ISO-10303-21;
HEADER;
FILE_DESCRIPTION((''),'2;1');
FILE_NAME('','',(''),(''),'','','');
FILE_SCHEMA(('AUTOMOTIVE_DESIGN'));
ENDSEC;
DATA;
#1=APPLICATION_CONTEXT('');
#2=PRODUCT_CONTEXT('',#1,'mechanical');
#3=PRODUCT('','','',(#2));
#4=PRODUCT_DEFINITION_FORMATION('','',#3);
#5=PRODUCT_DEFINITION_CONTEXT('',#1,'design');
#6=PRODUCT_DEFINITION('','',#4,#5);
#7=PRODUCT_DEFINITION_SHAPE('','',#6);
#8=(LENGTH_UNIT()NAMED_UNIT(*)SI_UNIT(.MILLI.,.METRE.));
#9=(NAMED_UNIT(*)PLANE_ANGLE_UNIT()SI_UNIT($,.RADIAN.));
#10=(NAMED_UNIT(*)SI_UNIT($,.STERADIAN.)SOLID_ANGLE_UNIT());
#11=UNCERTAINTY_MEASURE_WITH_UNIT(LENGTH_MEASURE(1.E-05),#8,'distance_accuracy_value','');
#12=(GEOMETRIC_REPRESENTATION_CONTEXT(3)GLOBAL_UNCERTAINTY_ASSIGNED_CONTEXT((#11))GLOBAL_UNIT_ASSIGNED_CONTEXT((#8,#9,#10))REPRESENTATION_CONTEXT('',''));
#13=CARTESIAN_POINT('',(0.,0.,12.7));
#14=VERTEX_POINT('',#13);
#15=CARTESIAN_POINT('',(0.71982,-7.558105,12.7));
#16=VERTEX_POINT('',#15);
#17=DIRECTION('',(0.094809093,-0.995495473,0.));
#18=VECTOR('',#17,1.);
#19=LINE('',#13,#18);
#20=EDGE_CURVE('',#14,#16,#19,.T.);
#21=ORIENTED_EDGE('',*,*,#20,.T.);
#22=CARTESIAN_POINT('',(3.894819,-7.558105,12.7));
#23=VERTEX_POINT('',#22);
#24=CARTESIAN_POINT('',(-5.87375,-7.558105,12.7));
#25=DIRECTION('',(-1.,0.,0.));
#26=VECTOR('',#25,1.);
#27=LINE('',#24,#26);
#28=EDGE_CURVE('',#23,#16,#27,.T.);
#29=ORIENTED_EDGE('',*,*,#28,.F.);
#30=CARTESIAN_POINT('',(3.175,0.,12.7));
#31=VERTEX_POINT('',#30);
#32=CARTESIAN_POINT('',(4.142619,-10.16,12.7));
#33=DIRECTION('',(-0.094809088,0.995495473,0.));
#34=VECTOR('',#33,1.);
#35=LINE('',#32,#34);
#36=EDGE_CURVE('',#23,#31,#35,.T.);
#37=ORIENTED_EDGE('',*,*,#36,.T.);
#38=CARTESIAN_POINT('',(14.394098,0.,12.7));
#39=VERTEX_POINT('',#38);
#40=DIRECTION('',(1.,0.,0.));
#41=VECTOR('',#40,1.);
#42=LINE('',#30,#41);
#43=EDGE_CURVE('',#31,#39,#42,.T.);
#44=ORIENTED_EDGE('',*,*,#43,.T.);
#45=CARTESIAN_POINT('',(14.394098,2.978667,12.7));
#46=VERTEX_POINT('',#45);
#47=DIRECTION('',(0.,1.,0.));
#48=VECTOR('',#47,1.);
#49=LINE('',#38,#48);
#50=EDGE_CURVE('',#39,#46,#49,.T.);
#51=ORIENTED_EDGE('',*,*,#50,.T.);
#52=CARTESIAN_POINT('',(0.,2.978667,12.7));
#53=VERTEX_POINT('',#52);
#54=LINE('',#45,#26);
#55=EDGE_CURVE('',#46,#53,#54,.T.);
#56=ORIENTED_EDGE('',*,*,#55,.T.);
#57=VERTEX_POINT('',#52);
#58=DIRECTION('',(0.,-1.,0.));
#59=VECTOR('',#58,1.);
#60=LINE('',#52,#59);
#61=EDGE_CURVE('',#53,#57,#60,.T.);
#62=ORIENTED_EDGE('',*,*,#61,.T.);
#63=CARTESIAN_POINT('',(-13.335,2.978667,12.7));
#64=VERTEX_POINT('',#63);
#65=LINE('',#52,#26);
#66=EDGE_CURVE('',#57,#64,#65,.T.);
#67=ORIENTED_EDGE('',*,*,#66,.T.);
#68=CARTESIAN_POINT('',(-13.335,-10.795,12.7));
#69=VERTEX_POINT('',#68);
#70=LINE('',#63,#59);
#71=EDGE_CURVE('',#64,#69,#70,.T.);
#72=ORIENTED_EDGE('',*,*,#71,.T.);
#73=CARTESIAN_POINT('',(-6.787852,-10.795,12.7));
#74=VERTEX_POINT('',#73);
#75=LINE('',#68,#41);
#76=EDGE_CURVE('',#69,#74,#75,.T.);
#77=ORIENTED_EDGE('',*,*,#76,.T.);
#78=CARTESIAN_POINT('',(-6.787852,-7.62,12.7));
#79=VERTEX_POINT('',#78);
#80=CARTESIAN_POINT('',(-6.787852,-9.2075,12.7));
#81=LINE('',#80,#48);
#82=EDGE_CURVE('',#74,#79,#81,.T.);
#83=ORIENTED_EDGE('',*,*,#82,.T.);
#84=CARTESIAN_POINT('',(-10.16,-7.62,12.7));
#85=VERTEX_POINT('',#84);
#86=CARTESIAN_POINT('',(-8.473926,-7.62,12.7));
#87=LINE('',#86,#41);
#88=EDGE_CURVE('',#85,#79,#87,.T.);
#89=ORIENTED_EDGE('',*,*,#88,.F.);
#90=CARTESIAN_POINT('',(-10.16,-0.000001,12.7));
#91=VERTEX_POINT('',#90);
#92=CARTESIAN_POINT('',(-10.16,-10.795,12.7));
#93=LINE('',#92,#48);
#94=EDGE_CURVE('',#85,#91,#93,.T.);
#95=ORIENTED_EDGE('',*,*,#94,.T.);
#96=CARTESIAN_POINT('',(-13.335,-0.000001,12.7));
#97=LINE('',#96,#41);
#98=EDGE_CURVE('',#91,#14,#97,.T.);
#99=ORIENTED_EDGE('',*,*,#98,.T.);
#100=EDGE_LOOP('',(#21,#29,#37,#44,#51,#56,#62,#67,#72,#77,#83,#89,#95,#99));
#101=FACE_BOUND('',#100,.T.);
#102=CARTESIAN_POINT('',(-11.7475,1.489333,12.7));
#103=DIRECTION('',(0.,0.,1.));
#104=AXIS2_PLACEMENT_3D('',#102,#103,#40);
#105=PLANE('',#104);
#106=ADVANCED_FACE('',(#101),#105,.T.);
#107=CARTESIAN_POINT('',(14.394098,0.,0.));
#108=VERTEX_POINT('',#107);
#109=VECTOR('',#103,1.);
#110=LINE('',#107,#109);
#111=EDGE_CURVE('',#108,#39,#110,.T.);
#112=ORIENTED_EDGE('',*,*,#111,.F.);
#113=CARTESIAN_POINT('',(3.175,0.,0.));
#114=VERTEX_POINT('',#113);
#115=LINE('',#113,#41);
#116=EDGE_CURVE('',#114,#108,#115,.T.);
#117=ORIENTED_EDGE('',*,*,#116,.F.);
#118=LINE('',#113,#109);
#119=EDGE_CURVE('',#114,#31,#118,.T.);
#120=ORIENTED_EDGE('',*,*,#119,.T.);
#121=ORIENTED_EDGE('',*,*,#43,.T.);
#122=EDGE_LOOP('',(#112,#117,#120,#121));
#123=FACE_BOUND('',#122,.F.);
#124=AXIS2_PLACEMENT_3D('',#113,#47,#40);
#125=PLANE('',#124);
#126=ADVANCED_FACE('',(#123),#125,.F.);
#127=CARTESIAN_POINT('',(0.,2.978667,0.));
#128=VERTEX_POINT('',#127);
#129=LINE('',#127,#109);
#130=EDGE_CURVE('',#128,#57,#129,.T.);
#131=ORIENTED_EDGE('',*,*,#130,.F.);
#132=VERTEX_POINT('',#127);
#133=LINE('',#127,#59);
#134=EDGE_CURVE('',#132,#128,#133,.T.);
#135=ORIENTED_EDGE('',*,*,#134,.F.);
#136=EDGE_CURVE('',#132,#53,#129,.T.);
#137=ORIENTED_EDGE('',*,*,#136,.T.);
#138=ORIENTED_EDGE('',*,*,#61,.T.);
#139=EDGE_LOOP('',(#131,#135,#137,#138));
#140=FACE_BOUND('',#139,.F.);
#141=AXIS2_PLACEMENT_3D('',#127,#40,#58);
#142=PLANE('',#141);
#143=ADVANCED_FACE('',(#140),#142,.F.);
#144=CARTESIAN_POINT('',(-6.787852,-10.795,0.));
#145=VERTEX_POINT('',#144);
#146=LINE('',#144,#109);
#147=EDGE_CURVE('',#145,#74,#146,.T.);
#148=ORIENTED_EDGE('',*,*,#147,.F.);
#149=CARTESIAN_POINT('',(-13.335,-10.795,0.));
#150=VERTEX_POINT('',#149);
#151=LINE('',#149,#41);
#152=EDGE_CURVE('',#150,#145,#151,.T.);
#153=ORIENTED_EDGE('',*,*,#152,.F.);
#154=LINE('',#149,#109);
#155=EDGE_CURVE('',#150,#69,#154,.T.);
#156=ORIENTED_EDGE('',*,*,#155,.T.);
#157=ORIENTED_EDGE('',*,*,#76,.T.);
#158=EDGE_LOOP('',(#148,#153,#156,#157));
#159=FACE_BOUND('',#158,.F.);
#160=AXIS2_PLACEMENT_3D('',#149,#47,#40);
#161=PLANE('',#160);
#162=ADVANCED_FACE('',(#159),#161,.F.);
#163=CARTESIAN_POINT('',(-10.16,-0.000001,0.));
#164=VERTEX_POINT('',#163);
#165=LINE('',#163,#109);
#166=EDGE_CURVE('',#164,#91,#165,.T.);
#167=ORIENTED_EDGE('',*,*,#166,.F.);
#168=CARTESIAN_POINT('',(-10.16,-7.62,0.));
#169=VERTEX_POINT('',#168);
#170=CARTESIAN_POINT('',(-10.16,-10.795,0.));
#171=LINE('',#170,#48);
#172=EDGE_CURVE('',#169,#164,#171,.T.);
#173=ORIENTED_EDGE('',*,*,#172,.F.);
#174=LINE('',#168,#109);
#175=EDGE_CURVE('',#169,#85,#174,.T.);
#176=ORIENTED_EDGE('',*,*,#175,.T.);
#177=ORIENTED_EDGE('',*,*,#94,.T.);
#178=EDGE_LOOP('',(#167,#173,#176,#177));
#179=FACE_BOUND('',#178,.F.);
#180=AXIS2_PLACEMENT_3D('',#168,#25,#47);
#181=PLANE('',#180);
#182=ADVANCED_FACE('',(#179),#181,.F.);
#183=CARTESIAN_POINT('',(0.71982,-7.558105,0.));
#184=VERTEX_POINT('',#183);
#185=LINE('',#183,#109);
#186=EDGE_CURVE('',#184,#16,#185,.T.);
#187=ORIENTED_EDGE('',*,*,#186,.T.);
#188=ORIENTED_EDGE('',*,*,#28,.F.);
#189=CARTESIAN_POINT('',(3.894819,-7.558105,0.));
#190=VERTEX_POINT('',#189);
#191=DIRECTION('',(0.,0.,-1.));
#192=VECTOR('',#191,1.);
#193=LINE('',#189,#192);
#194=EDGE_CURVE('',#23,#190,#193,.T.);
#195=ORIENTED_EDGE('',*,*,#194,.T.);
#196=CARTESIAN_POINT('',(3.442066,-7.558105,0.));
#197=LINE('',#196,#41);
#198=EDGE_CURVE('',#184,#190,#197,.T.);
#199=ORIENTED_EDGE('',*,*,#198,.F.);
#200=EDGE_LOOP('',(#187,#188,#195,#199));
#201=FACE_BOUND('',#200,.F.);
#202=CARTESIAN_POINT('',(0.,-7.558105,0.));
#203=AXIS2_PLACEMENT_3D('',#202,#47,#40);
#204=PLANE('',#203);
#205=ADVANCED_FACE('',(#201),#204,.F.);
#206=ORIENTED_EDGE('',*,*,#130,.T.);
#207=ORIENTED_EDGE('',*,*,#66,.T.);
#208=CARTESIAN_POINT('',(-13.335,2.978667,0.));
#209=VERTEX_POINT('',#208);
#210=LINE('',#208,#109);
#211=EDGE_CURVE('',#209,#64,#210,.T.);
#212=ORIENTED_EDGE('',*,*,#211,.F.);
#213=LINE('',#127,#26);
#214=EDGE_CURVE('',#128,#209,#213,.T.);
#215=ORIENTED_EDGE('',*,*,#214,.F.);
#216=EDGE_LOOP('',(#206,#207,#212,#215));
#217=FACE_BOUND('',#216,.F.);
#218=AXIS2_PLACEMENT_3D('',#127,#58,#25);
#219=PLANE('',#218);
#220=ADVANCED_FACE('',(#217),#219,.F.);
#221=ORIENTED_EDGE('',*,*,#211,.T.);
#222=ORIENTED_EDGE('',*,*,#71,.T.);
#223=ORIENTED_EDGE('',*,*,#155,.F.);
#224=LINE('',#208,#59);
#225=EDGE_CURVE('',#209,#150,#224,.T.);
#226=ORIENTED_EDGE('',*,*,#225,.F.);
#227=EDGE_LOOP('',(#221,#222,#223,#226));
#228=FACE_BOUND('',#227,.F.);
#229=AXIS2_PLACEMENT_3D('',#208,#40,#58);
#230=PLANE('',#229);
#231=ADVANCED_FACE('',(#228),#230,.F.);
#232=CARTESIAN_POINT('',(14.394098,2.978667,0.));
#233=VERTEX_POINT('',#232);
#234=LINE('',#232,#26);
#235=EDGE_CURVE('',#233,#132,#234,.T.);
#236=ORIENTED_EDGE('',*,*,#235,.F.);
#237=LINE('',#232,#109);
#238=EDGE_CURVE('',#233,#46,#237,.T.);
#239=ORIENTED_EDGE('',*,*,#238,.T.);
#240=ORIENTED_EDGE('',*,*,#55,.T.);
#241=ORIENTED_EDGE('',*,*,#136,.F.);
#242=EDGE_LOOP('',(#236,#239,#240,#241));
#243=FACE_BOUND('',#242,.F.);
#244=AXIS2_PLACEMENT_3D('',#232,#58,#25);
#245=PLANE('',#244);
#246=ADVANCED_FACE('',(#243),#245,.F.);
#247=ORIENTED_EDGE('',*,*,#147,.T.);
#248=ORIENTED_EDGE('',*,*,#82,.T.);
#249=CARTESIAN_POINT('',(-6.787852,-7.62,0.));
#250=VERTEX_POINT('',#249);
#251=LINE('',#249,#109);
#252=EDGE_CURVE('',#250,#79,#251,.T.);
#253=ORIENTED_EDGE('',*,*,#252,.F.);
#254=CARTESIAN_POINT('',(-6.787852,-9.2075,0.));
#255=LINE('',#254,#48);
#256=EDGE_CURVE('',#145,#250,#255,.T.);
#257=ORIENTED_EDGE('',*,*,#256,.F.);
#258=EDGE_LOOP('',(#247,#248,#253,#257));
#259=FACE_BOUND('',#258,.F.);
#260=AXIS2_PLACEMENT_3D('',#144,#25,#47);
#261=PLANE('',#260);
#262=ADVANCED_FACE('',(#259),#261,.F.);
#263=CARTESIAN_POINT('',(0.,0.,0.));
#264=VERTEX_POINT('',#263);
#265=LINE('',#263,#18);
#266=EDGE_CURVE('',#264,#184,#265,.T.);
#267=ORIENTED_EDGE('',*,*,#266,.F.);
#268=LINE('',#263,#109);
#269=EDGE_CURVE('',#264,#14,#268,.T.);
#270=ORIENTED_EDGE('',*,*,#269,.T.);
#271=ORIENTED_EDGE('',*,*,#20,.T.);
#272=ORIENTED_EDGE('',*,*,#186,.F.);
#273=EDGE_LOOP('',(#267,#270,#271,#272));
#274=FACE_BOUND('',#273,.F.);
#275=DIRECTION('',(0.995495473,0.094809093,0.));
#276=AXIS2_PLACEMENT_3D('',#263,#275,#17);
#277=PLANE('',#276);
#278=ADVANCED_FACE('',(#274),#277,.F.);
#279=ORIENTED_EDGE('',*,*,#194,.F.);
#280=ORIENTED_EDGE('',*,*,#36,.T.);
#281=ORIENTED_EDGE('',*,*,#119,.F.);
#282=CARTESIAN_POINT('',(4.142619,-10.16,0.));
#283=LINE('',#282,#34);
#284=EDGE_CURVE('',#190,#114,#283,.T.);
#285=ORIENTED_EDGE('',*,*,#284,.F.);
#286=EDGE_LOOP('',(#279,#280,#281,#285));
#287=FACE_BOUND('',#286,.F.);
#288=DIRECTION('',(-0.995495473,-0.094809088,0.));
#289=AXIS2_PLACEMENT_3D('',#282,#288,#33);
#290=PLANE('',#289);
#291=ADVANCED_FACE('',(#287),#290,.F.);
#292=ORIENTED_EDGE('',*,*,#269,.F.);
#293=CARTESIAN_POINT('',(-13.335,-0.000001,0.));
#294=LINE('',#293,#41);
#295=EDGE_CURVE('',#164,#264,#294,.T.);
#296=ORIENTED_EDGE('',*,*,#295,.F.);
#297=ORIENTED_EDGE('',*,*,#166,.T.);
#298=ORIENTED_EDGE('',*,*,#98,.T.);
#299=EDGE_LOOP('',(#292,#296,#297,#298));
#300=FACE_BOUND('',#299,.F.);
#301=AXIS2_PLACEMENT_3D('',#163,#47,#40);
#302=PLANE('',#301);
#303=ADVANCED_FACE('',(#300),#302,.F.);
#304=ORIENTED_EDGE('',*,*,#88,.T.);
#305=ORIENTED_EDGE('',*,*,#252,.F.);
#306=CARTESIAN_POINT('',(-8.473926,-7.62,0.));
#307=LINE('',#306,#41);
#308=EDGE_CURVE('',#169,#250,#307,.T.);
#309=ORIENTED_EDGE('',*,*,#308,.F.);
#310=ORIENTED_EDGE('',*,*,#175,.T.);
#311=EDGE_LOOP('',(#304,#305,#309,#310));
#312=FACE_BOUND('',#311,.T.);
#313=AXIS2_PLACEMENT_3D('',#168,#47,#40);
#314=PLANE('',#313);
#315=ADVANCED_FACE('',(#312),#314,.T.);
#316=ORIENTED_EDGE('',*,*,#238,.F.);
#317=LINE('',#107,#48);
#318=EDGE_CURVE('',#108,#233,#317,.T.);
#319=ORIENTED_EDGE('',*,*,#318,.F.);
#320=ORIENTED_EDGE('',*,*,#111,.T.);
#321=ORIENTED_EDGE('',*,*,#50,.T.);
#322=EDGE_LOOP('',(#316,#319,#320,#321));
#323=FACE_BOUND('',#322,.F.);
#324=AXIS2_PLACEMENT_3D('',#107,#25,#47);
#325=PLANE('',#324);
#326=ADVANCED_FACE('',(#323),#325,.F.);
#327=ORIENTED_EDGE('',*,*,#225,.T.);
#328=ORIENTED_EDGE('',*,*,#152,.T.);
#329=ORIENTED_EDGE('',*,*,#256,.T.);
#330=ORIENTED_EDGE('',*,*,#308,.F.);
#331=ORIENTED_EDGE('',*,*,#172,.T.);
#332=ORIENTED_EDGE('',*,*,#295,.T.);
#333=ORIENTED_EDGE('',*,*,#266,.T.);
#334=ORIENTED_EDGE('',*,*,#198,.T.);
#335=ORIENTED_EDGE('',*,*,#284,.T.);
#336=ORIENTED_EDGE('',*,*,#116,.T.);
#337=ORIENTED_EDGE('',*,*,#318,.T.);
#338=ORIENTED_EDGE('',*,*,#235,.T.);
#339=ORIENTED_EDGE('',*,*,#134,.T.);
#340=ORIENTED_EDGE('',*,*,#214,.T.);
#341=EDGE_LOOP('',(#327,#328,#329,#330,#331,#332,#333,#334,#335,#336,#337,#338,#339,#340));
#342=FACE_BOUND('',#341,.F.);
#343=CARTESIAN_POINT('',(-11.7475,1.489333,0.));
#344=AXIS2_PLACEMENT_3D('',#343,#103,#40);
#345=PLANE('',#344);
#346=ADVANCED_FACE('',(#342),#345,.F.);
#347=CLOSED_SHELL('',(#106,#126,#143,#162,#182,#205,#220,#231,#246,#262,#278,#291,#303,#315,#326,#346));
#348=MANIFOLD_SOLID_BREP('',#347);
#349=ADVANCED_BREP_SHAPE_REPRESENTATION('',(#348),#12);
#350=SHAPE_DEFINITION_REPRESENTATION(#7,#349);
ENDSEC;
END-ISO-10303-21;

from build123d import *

# Parameters (mm, degrees)
F0_W     = 3.175
F0_H     = 2.978667
F0_W_2   = 10.16
F0_H_2   = 7.62
F0_H_3   = 3.175
F0_W_3   = 3.372148
F1_DEPTH = 12.7
F2_W     = 6.884132
F2_H     = 8.857906
F3_DEPTH = 25.4


with BuildPart() as f1:
    # F0 (on Top) → F1 (new body)
    with BuildSketch(Plane.XY):
        with Locations((-11.7475, 1.489333)):
            Rectangle(F0_W, F0_H)
        with Locations((-5.08, 1.489333)):
            Rectangle(F0_W_2, F0_H)
        with Locations((-11.7475, -3.81)):
            Rectangle(F0_W, F0_H_2)
        Polygon((2.891317, 2.978667), (0, 2.978667), (0, 0), (3.175, 0), align=None)
        with Locations((-11.7475, -9.2075)):
            Rectangle(F0_W, F0_H_3)
        with Locations((-8.473926, -9.2075)):
            Rectangle(F0_W_3, F0_H_3)
        Polygon((3.175, 0), (0, 0), (1.27, -13.335), (1.27, -10.16), (4.142619, -10.16), align=None)
        Polygon((14.394098, 2.978667), (2.891317, 2.978667), (3.175, 0), (14.394098, 0), align=None)
        Polygon((1.27, -10.16), (1.27, -13.335), (4.445, -13.335), (4.142619, -10.16), align=None)
        Polygon((4.445, -10.16), (4.142619, -10.16), (4.445, -13.335), align=None)
    extrude(amount=F1_DEPTH)

    # F2 (on Top) → F3 (cut)
    with BuildSketch(Plane.XY):
        with Locations((3.442066, -11.987058)):
            Rectangle(F2_W, F2_H)
    extrude(amount=F3_DEPTH, mode=Mode.SUBTRACT)


solid = f1.part
